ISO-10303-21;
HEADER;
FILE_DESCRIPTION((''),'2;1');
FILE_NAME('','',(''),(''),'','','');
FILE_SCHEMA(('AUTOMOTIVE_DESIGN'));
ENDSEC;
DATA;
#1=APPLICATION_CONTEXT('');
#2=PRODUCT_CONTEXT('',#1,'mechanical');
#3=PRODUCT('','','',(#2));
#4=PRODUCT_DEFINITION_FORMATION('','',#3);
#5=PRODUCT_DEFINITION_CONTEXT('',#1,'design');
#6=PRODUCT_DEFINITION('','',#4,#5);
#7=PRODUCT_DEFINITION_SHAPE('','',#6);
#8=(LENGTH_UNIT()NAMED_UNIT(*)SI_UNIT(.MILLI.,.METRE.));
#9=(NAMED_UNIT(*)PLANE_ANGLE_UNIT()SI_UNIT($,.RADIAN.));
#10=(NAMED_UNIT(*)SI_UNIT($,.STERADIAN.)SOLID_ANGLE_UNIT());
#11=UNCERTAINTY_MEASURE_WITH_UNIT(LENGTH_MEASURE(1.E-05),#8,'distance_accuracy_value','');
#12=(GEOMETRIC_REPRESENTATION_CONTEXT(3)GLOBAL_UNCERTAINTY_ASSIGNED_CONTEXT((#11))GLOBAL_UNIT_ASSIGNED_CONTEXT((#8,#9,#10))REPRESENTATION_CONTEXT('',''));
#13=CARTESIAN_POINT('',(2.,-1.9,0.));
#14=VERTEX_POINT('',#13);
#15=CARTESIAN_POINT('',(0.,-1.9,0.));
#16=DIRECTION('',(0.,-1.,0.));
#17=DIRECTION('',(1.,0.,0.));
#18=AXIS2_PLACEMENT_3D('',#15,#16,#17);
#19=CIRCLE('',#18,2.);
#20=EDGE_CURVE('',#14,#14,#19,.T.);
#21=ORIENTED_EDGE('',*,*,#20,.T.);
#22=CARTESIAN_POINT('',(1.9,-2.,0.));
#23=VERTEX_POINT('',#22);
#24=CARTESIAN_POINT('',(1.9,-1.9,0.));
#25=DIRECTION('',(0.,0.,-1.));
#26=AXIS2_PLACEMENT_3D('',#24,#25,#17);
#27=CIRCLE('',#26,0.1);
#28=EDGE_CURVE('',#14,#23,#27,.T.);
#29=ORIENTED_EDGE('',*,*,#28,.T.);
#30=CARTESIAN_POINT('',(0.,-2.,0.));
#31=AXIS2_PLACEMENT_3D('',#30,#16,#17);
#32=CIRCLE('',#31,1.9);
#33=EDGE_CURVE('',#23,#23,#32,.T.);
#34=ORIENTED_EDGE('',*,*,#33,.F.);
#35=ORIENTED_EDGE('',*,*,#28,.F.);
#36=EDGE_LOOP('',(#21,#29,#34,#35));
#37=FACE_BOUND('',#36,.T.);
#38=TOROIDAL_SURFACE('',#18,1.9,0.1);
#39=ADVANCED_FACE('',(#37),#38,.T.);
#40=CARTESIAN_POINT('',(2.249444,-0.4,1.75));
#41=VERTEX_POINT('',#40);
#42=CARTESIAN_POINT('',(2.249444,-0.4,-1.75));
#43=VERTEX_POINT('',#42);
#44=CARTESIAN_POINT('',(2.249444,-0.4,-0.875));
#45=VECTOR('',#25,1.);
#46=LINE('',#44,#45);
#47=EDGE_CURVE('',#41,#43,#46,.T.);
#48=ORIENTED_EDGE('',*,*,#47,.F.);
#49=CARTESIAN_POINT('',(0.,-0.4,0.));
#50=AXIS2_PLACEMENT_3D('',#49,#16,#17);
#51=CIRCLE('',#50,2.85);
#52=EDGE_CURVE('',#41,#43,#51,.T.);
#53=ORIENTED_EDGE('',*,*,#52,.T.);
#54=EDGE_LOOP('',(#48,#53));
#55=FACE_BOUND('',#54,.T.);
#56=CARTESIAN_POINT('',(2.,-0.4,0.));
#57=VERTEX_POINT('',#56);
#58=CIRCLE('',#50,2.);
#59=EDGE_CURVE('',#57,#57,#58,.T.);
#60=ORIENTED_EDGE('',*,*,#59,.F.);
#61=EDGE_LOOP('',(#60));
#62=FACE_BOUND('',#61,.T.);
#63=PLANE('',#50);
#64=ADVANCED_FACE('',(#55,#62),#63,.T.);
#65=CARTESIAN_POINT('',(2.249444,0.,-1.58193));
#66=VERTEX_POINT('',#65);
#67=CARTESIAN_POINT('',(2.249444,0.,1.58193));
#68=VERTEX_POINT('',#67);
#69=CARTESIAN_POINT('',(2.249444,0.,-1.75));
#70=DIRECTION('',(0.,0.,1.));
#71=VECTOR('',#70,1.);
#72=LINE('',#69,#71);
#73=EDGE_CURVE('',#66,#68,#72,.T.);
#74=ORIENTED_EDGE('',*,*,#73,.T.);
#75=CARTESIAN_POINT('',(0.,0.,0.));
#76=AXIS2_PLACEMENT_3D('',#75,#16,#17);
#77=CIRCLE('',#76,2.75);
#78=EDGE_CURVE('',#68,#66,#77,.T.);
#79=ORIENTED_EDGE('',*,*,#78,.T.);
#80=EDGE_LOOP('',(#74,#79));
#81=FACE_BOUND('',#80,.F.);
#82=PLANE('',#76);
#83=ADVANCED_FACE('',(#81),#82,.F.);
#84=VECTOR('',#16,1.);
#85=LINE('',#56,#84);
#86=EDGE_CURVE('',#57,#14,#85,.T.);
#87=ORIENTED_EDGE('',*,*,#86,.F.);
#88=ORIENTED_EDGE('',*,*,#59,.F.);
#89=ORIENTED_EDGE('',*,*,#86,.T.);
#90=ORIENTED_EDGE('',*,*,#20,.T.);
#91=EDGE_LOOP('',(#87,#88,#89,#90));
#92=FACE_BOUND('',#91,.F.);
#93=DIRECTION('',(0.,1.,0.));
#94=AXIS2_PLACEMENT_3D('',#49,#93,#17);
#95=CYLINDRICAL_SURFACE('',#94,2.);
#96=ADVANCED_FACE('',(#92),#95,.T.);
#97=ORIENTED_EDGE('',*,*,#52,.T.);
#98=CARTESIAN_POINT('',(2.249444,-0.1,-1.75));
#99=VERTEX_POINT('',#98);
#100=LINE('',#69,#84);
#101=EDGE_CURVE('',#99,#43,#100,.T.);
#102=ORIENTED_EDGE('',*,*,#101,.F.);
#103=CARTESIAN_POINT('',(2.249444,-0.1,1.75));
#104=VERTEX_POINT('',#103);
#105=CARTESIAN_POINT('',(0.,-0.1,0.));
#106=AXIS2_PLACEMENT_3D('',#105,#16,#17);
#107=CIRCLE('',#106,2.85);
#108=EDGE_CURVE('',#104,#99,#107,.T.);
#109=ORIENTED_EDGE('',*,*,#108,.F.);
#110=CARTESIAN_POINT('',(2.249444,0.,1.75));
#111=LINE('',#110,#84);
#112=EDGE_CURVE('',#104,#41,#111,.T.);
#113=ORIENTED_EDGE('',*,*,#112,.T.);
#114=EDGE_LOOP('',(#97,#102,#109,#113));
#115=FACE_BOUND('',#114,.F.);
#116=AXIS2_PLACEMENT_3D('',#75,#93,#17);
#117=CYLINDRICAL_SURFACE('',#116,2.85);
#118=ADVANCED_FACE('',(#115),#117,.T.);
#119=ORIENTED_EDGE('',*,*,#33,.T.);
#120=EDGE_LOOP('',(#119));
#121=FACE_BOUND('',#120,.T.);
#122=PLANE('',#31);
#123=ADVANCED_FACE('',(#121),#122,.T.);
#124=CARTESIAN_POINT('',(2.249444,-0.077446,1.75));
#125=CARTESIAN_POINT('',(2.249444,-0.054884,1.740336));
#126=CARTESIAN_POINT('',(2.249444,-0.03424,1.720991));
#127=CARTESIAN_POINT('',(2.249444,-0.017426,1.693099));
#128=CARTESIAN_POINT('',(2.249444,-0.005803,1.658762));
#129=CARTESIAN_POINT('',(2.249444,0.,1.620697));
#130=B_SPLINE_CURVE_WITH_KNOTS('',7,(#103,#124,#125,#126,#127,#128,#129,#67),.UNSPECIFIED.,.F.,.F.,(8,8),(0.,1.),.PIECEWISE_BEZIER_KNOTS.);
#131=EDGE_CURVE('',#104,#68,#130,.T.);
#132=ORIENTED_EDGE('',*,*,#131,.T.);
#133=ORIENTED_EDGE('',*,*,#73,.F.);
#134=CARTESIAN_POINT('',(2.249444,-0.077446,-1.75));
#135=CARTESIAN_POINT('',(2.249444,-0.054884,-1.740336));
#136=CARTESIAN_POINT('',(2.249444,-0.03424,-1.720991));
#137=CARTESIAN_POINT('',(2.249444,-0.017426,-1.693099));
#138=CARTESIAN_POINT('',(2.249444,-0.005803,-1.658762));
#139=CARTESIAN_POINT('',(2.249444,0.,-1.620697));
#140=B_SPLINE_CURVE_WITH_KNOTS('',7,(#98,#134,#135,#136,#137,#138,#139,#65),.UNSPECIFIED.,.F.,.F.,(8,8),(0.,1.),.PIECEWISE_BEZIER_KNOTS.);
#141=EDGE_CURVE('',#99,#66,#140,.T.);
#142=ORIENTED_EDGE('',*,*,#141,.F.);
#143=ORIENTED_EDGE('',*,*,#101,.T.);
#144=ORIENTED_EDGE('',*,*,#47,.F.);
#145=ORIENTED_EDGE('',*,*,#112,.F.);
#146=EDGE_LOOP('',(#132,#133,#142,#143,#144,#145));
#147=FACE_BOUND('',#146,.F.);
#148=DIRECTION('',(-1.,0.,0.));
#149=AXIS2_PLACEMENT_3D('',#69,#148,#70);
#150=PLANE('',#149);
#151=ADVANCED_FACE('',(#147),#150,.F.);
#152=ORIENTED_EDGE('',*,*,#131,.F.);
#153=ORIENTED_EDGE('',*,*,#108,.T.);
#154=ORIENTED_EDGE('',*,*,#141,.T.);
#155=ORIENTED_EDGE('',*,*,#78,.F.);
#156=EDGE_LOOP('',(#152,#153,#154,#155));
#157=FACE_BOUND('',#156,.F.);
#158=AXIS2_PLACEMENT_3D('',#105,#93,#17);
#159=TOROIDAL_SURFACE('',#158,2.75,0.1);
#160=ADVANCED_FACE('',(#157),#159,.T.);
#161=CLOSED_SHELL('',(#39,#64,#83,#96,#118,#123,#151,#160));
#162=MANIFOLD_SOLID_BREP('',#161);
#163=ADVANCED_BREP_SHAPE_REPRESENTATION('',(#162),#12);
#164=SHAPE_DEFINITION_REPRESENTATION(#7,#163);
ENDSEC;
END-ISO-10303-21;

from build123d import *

# Parameters (mm, degrees)
F0_R     = 2.85
F1_DEPTH = 0.4
F2_R     = 2
F3_DEPTH = 1.6
F4_R     = 0.1
F6_DEPTH = 25


with BuildPart() as f1:
    # F0 (on Front) → F1 (new body)
    with BuildSketch(Plane.XZ):
        Circle(F0_R)
    extrude(amount=F1_DEPTH)

    # F2 (on face) → F3 (join)
    with BuildSketch(Plane.XZ.offset(0.4)):
        Circle(F2_R)
    extrude(amount=F3_DEPTH)

    # F4
    f4_edges = [f1.edges().sort_by_distance(p)[0] for p in [
        (-2, -2, 0),
        (-2.85, 0, 0),
    ]]
    fillet(f4_edges, radius=F4_R)

    # F5 (on face) → F6 (cut)
    with BuildSketch(Plane(origin=(0, 0, 0), x_dir=(-1, 0, 0), z_dir=(0, 1, 0))):
        with BuildLine():
            Line((-2.249444, -1.75), (-2.249444, 1.75))
            ThreePointArc((-2.249444, 1.75), (-2.85, 0), (-2.249444, -1.75))
        make_face()
    extrude(amount=-F6_DEPTH, mode=Mode.SUBTRACT)


solid = f1.part
